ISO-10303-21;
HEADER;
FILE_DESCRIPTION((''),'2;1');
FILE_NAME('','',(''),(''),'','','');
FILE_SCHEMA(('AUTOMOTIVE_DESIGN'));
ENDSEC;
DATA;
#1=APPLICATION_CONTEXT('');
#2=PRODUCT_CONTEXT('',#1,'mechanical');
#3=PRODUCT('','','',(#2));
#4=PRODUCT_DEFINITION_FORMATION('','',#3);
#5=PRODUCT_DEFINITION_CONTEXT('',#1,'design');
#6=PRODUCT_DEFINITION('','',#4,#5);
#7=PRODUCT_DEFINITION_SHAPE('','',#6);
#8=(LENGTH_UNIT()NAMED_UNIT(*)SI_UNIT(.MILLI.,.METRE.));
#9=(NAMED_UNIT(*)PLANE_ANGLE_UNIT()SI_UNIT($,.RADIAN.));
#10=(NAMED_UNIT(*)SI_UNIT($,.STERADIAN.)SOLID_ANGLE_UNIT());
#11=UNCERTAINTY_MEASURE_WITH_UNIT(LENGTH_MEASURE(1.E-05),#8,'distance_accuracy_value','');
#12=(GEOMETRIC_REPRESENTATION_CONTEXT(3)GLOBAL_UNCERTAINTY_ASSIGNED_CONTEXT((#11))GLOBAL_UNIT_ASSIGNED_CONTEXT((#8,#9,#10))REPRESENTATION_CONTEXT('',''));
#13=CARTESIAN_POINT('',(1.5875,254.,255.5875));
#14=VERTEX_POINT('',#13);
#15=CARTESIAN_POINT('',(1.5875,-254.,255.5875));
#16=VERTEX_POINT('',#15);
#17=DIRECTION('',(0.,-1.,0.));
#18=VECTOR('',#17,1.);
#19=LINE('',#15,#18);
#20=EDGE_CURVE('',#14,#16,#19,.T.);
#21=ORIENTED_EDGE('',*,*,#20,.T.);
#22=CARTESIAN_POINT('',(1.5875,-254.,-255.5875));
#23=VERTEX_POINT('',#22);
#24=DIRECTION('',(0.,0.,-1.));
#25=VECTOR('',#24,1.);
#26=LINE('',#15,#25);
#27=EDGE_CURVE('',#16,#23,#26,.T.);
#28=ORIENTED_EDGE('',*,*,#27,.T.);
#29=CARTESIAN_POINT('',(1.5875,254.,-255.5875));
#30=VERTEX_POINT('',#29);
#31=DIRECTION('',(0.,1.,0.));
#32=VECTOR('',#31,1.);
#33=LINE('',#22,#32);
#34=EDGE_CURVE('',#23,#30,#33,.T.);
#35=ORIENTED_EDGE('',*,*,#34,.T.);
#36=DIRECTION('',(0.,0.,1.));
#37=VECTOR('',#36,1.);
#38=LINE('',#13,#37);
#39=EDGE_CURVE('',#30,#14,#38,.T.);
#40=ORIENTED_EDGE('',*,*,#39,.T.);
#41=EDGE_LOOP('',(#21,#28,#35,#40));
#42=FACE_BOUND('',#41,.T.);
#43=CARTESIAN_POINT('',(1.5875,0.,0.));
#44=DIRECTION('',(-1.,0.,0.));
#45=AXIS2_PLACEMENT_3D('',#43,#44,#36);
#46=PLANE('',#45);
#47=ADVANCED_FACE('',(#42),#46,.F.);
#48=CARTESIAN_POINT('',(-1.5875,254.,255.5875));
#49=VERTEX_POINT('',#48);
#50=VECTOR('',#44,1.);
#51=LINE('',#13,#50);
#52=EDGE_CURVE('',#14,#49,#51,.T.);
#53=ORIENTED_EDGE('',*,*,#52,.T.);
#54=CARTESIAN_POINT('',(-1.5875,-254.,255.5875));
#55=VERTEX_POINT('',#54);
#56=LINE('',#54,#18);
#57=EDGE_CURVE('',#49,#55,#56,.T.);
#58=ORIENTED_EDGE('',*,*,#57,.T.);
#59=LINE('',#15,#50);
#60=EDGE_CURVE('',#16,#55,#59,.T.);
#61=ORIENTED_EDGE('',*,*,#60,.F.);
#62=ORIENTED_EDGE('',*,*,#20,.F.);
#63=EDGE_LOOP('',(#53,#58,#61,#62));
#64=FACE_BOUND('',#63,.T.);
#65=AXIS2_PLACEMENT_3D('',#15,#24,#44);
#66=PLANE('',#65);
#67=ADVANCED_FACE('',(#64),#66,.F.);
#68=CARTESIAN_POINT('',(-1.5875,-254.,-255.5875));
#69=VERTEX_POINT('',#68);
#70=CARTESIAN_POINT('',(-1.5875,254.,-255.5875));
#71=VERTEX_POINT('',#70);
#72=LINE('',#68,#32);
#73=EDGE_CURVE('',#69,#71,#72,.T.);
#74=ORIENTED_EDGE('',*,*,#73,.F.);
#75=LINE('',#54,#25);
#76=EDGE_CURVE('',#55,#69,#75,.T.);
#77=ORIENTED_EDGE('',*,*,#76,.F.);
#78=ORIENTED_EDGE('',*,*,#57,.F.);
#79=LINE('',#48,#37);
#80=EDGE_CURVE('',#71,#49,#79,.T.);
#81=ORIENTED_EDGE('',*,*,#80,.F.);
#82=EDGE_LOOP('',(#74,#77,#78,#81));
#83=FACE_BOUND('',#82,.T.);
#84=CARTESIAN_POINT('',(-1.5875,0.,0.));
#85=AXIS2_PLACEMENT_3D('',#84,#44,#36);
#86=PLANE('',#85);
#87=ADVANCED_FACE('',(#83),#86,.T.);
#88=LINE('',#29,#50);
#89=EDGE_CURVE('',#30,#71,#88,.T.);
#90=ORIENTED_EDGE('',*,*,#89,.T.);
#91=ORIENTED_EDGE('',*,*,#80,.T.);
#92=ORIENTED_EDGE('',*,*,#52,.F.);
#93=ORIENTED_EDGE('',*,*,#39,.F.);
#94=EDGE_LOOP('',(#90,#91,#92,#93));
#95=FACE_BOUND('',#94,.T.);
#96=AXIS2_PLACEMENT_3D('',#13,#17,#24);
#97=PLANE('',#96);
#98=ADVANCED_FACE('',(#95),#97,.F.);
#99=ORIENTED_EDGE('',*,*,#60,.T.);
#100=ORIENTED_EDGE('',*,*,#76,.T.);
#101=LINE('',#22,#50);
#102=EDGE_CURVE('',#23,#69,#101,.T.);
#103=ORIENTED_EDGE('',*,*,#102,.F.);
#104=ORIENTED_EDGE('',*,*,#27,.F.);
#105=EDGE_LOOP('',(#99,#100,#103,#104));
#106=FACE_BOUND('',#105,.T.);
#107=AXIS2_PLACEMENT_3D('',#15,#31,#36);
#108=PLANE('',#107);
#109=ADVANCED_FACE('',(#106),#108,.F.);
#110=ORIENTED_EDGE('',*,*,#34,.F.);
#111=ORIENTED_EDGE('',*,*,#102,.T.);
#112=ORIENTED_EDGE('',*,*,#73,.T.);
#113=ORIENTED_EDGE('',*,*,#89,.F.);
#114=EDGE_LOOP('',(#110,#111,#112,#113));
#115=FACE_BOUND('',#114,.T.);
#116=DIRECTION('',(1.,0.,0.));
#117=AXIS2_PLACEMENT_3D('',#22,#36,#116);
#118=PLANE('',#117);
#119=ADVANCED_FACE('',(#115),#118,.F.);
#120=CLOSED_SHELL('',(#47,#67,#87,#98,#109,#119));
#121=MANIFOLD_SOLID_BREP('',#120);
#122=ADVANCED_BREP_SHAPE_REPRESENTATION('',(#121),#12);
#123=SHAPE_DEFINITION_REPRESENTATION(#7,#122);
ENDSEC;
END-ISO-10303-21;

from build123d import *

# Parameters (mm, degrees)
SKETCH1_W           = 511.175
SKETCH1_H           = 508
BOSS_EXTRUDE1_DEPTH = 1.5875


with BuildPart() as part:
    # Sketch1 → Boss-Extrude1 (new, symmetric)
    with BuildSketch(Plane(origin=(0, 0, 0), x_dir=(0, 0, -1), z_dir=(1, 0, 0))):
        Rectangle(SKETCH1_W, SKETCH1_H)
    extrude(amount=BOSS_EXTRUDE1_DEPTH, both=True)


solid = part.part
